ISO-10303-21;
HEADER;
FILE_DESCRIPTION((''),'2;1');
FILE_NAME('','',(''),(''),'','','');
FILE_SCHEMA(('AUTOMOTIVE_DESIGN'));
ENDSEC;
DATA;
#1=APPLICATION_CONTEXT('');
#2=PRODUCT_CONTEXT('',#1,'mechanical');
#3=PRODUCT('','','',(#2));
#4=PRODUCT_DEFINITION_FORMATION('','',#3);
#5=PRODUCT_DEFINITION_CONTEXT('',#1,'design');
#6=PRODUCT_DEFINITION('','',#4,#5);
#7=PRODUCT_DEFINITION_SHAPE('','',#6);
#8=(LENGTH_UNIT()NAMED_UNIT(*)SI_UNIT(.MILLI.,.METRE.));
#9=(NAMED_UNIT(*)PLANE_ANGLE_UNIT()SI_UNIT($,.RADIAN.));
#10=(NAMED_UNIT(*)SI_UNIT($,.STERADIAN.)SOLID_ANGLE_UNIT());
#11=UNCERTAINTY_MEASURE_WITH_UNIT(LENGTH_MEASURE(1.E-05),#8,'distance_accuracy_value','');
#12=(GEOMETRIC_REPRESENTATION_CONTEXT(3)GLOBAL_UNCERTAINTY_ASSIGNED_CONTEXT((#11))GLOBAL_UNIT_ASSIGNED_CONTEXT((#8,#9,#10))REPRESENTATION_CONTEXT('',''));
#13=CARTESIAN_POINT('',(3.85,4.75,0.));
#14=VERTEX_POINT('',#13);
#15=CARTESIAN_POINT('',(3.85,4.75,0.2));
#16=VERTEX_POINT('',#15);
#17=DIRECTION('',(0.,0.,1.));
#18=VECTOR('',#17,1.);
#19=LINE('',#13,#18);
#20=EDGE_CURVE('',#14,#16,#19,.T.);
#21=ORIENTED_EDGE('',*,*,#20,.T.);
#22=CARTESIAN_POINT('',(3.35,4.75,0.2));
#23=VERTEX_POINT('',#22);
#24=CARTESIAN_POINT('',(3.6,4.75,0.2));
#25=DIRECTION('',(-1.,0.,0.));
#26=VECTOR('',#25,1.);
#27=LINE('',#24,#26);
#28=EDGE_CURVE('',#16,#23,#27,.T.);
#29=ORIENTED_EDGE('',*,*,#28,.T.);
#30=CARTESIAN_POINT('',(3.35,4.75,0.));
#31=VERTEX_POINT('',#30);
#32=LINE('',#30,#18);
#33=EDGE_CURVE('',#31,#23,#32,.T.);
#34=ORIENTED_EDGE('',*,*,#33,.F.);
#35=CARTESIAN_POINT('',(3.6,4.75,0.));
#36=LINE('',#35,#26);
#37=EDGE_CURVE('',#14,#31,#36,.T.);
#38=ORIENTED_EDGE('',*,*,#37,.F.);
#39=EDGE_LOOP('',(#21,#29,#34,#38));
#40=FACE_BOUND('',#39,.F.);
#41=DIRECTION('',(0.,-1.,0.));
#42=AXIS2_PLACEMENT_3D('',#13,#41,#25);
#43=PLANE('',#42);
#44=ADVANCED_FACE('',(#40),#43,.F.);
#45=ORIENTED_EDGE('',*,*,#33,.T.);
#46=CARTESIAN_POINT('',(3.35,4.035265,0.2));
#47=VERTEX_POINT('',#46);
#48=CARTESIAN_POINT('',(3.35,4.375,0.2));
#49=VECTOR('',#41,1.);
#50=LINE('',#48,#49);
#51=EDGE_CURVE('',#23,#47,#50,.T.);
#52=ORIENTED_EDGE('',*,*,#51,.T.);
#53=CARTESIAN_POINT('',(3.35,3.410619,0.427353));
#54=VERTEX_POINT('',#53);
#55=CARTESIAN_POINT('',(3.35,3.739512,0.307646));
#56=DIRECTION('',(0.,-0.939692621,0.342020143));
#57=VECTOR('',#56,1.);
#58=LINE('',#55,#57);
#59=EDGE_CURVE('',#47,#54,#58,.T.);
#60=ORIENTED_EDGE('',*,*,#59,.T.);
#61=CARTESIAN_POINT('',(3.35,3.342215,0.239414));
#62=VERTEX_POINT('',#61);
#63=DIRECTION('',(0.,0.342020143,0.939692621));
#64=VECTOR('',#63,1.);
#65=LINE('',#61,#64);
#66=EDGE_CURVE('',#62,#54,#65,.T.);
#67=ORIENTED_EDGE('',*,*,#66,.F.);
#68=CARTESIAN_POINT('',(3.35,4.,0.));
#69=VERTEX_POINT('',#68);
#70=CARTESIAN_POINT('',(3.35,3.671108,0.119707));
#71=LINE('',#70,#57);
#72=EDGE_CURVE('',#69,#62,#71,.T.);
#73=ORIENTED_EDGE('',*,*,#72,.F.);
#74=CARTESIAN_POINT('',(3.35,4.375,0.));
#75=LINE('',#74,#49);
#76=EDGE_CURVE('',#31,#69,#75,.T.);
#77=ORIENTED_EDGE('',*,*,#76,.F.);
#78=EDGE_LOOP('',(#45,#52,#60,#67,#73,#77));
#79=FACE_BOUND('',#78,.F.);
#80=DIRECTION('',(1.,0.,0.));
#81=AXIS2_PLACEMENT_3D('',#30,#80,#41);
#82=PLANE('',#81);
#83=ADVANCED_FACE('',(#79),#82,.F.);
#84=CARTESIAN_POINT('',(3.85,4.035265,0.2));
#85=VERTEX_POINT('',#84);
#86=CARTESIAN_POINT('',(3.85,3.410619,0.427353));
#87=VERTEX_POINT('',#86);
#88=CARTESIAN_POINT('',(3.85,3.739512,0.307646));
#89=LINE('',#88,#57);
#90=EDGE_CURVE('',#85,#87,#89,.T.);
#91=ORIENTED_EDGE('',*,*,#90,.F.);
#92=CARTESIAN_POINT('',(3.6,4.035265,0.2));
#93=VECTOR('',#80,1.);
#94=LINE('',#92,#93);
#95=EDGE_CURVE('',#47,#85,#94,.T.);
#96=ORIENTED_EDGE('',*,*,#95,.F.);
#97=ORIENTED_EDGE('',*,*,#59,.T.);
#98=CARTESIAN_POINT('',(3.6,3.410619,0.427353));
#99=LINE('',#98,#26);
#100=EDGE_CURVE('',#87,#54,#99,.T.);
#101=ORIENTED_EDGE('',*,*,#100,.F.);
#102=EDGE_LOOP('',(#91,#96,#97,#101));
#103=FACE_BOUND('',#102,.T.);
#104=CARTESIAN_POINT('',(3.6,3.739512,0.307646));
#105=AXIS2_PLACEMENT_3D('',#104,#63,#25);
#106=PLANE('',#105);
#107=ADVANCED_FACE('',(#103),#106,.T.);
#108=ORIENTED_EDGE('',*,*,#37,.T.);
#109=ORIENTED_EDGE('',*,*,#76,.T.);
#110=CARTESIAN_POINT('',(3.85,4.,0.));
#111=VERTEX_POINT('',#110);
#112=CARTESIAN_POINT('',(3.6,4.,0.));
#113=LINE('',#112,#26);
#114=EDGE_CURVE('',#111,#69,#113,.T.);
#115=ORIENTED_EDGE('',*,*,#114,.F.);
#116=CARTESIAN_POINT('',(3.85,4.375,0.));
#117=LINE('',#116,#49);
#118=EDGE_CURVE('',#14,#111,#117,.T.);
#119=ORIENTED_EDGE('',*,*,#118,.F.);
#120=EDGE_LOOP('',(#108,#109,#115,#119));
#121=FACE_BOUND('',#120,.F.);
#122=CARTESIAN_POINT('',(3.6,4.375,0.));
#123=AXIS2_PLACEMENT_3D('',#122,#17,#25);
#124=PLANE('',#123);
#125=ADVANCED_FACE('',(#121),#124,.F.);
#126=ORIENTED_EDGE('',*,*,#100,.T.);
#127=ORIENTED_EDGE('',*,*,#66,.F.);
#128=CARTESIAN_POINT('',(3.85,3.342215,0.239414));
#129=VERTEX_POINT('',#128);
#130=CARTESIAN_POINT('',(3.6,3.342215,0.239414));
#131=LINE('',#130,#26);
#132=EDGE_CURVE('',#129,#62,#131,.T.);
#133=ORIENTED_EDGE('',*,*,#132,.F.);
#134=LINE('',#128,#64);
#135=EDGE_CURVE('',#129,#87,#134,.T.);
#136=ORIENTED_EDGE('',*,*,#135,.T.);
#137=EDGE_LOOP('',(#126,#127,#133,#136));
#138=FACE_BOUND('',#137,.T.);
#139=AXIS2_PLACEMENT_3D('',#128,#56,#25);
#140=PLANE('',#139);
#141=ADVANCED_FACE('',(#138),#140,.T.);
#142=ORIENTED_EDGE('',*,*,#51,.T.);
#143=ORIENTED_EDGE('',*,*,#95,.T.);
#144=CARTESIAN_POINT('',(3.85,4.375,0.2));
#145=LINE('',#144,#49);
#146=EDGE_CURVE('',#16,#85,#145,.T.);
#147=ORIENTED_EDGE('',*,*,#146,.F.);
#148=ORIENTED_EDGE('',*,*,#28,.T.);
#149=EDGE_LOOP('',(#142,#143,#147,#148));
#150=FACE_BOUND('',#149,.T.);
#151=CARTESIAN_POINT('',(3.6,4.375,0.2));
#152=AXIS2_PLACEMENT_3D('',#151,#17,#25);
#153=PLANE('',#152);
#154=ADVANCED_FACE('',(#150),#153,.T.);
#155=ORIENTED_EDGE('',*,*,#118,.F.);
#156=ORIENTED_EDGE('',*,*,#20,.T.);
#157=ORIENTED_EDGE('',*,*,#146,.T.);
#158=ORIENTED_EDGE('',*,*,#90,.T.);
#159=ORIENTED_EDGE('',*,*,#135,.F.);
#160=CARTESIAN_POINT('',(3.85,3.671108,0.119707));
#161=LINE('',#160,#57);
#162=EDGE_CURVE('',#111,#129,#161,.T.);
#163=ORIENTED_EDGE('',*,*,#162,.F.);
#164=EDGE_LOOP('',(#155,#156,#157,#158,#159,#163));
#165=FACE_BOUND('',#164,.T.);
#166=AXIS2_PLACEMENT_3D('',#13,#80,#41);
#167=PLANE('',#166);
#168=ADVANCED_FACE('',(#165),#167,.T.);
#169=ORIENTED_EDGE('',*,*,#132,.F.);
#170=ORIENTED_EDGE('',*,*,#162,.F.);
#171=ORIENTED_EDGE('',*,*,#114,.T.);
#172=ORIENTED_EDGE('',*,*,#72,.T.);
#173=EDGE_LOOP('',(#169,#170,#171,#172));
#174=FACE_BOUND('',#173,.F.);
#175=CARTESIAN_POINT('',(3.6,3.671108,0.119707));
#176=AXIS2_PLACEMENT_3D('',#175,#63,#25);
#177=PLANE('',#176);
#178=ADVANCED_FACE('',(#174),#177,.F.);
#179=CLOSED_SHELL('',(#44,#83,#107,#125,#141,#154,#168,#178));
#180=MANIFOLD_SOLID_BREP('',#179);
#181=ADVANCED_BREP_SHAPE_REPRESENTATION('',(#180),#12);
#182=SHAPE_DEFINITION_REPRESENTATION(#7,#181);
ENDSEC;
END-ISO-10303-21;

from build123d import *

# Parameters (mm, degrees)
BOX007_W                  = 0.5
BOX007_H                  = 0.75
BOX007_DEPTH              = 0.2
BOX008_W                  = 0.5
BOX008_H                  = 0.7
BOX008_DEPTH              = 0.2
BOX008_PLACEMENT_ANGLE    = 20
FUSION003_PLACEMENT_ANGLE = 180


with BuildPart() as cube007:
    # Box007 → Box007 (new body)
    with BuildSketch(Plane(origin=(0, -1.25, 0), x_dir=(1, 0, 0), z_dir=(0, 0, 1))):
        with Locations((0.25, 0.375)):
            Rectangle(BOX007_W, BOX007_H)
    extrude(amount=BOX007_DEPTH)


with BuildPart() as fusion003:
    # Box008 → Box008 (new body)
    with BuildSketch(Plane.XY):
        with Locations((0.25, 0.35)):
            Rectangle(BOX008_W, BOX008_H)
    extrude(amount=BOX008_DEPTH)


with BuildPart() as fusion003_1:
    # Box008 placement: moved
    add(fusion003.part.moved(Location((0, -0.5, 0))).rotate(Axis((0, -0.5, 0), (1, 0, 0)), BOX008_PLACEMENT_ANGLE))

    # Fusion003: union Cube007
    add(cube007.part)


with BuildPart() as fusion003_2:
    # Fusion003 placement: moved
    add(fusion003_1.part.moved(Location((3.85, 3.5, 0))).rotate(Axis((3.85, 3.5, 0), (0, 0, 1)), FUSION003_PLACEMENT_ANGLE))


solid = fusion003_2.part
